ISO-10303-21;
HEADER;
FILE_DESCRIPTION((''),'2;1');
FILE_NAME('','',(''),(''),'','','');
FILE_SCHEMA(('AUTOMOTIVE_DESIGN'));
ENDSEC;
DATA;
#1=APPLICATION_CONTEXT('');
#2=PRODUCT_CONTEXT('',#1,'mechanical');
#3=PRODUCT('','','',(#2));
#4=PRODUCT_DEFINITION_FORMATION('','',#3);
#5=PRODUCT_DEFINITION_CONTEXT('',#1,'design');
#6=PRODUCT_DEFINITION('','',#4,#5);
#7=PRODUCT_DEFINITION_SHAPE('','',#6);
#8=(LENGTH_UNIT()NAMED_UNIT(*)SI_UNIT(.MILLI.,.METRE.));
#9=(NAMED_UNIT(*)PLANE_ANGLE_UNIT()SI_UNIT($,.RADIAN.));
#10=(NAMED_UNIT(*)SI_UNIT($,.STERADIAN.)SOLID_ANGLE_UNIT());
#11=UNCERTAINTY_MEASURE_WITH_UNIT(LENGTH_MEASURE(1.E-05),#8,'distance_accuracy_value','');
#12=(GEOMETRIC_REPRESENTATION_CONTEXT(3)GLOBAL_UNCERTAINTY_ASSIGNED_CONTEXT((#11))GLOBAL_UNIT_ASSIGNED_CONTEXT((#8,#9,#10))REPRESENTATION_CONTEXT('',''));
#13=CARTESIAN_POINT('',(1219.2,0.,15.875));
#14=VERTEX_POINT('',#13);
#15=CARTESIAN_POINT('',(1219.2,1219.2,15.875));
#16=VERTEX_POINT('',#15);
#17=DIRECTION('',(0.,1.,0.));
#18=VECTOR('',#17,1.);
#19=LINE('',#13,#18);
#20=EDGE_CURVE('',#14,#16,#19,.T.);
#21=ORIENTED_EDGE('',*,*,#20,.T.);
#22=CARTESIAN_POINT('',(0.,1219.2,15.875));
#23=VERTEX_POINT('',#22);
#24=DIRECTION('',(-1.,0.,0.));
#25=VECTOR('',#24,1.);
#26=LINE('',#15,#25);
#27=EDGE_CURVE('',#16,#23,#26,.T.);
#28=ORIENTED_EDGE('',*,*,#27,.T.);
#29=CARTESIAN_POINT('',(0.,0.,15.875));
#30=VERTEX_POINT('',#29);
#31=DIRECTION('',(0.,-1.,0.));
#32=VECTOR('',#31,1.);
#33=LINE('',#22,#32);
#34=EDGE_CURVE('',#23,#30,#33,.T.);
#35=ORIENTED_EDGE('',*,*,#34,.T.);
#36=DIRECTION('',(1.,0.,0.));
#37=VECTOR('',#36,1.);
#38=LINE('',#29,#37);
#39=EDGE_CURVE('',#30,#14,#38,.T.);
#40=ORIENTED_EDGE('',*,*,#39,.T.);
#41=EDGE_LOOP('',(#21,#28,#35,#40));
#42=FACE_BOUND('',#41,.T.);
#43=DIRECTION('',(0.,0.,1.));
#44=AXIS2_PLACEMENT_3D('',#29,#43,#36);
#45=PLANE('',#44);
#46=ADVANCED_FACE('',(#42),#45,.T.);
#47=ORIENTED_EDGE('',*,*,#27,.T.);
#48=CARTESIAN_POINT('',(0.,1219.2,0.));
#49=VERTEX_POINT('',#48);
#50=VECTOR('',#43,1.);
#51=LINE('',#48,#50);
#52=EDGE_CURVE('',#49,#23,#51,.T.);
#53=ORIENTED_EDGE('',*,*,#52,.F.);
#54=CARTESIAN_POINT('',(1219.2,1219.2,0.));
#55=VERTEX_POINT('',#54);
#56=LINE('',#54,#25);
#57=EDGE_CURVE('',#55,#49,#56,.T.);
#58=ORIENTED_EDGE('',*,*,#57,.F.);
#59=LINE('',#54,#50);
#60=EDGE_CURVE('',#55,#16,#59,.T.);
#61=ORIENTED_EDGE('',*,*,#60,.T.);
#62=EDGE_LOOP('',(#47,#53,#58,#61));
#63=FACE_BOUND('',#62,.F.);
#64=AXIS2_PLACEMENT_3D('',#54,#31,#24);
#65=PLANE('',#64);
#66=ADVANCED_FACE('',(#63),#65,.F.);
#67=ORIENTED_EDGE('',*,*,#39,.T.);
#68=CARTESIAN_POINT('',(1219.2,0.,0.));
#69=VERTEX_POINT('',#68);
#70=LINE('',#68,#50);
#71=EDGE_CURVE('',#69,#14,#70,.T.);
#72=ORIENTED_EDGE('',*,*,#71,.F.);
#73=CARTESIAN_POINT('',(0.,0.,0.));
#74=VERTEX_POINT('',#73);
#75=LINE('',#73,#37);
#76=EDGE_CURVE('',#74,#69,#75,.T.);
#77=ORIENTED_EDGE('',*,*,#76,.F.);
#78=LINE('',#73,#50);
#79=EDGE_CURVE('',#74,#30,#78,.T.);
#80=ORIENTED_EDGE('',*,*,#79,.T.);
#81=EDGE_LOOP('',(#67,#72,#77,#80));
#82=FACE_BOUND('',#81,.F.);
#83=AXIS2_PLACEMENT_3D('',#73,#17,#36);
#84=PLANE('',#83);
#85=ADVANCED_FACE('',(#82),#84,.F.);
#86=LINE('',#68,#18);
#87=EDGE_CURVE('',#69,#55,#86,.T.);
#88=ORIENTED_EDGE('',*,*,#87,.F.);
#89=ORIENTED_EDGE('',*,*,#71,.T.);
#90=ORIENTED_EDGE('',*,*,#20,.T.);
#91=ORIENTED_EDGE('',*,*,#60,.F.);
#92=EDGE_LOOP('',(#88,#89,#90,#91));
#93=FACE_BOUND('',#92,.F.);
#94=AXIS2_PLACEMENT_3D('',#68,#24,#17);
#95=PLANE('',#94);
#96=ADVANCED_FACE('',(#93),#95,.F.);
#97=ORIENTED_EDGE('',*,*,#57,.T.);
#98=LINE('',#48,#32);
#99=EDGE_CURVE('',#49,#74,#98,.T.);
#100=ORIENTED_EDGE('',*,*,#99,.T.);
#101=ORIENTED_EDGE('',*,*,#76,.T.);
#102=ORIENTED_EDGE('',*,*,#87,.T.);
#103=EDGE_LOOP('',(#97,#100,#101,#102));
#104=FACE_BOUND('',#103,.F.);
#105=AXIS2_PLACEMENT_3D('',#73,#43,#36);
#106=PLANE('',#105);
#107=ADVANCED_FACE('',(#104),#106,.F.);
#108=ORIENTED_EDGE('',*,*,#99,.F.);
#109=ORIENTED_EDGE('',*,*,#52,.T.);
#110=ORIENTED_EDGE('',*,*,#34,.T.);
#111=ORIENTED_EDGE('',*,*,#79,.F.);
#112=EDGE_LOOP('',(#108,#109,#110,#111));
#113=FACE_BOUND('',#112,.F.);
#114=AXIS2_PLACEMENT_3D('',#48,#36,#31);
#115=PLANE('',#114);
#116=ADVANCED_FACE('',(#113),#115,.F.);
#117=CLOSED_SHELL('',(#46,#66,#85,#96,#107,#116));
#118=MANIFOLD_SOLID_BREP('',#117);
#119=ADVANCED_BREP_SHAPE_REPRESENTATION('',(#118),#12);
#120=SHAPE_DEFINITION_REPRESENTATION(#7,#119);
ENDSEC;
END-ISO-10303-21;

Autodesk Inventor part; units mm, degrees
ref_plane "YZ Plane" through (0, 0, 0) normal (1, 0, 0) x (0, 1, 0)
ref_plane "XZ Plane" through (0, 0, 0) normal (0, 1, 0) x (-1, 0, 0)
ref_plane "XY Plane" through (0, 0, 0) normal (0, 0, 1) x (1, 0, 0)
sketch "Sketch1" plane through (0, 0, 0) normal (0, 0, 1) x (1, 0, 0)
  line L0 (0, 0) -> (1219.2, 0)
  line L1 (1219.2, 0) -> (1219.2, 1219.2)
  line L2 (1219.2, 1219.2) -> (0, 1219.2)
  line L3 (0, 1219.2) -> (0, 0)
  dimension "d2" = 1219.2
  dimension "d3" = 1219.2
extrude "Extrusion1" add sketch "Sketch1" along normal blind 15.875
properties part number "Sheathing_With_Dimensions_48_x_56.719_Inches"
